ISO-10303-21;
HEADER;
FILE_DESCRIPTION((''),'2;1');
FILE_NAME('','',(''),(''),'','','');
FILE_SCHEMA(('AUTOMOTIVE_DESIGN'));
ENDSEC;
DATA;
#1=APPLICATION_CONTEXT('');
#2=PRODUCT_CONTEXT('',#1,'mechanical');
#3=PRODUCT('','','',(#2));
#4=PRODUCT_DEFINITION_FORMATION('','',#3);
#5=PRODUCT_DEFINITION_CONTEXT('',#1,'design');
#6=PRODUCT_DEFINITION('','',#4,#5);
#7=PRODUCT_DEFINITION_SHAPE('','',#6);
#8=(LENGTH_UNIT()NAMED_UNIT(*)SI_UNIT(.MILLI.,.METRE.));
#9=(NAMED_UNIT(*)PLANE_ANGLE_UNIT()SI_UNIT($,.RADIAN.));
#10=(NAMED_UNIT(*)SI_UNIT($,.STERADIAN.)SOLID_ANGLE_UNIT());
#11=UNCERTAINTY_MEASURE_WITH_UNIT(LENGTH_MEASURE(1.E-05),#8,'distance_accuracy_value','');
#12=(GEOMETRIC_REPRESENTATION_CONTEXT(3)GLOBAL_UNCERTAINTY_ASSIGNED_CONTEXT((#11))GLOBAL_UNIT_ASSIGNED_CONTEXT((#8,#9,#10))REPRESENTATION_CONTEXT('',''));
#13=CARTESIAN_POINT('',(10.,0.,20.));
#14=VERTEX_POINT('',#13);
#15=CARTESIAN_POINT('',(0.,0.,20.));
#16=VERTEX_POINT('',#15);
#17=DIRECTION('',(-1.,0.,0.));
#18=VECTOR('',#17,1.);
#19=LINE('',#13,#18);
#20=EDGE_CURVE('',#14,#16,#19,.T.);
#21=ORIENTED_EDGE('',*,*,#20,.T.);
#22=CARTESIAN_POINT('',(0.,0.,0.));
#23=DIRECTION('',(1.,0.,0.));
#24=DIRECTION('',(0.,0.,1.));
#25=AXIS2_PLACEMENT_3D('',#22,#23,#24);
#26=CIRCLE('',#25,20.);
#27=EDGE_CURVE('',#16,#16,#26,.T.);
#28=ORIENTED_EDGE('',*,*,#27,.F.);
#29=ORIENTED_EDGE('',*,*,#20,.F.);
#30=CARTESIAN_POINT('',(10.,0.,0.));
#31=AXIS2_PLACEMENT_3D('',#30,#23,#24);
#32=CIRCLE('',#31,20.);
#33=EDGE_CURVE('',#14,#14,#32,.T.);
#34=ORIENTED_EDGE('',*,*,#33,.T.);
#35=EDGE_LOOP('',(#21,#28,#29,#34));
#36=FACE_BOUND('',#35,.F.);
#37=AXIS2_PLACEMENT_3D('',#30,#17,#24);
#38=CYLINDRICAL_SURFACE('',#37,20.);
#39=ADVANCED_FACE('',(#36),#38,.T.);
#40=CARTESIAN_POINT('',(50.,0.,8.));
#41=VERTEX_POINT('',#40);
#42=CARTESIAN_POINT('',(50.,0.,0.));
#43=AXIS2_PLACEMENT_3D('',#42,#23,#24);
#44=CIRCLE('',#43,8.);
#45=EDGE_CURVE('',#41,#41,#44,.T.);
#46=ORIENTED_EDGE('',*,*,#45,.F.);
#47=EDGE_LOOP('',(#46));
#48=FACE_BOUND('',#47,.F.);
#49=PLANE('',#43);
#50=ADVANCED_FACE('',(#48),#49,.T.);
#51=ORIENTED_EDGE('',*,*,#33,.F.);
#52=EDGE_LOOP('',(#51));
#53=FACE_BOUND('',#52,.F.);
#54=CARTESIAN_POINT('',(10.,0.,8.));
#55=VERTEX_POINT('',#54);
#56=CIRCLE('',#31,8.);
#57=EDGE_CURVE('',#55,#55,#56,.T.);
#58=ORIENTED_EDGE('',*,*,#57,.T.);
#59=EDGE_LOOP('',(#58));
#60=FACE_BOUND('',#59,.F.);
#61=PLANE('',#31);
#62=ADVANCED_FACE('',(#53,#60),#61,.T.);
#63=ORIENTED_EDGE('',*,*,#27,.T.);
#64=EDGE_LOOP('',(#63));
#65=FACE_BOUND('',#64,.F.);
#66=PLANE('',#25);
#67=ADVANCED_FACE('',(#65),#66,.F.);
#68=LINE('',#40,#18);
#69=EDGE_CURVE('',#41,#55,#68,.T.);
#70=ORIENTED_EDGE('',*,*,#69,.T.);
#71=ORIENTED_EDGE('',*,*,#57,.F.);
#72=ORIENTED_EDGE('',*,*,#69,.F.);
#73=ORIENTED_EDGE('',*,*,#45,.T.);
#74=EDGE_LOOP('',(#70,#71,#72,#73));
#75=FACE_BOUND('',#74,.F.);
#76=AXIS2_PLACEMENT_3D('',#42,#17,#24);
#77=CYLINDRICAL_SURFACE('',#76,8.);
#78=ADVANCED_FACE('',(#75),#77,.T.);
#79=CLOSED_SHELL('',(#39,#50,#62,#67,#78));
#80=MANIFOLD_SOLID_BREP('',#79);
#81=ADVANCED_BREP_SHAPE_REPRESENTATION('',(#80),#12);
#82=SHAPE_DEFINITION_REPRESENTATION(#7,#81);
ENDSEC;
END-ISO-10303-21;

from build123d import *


with BuildPart() as part:
    # Sketch → Revolution (revolve)
    with BuildSketch(Plane.XZ):
        Polygon((0, 0), (50, 0), (50, 8), (10, 8), (10, 20), (0, 20), align=None)
    revolve(axis=Axis((0, 0, 0), (1, 0, 0)))


solid = part.part
